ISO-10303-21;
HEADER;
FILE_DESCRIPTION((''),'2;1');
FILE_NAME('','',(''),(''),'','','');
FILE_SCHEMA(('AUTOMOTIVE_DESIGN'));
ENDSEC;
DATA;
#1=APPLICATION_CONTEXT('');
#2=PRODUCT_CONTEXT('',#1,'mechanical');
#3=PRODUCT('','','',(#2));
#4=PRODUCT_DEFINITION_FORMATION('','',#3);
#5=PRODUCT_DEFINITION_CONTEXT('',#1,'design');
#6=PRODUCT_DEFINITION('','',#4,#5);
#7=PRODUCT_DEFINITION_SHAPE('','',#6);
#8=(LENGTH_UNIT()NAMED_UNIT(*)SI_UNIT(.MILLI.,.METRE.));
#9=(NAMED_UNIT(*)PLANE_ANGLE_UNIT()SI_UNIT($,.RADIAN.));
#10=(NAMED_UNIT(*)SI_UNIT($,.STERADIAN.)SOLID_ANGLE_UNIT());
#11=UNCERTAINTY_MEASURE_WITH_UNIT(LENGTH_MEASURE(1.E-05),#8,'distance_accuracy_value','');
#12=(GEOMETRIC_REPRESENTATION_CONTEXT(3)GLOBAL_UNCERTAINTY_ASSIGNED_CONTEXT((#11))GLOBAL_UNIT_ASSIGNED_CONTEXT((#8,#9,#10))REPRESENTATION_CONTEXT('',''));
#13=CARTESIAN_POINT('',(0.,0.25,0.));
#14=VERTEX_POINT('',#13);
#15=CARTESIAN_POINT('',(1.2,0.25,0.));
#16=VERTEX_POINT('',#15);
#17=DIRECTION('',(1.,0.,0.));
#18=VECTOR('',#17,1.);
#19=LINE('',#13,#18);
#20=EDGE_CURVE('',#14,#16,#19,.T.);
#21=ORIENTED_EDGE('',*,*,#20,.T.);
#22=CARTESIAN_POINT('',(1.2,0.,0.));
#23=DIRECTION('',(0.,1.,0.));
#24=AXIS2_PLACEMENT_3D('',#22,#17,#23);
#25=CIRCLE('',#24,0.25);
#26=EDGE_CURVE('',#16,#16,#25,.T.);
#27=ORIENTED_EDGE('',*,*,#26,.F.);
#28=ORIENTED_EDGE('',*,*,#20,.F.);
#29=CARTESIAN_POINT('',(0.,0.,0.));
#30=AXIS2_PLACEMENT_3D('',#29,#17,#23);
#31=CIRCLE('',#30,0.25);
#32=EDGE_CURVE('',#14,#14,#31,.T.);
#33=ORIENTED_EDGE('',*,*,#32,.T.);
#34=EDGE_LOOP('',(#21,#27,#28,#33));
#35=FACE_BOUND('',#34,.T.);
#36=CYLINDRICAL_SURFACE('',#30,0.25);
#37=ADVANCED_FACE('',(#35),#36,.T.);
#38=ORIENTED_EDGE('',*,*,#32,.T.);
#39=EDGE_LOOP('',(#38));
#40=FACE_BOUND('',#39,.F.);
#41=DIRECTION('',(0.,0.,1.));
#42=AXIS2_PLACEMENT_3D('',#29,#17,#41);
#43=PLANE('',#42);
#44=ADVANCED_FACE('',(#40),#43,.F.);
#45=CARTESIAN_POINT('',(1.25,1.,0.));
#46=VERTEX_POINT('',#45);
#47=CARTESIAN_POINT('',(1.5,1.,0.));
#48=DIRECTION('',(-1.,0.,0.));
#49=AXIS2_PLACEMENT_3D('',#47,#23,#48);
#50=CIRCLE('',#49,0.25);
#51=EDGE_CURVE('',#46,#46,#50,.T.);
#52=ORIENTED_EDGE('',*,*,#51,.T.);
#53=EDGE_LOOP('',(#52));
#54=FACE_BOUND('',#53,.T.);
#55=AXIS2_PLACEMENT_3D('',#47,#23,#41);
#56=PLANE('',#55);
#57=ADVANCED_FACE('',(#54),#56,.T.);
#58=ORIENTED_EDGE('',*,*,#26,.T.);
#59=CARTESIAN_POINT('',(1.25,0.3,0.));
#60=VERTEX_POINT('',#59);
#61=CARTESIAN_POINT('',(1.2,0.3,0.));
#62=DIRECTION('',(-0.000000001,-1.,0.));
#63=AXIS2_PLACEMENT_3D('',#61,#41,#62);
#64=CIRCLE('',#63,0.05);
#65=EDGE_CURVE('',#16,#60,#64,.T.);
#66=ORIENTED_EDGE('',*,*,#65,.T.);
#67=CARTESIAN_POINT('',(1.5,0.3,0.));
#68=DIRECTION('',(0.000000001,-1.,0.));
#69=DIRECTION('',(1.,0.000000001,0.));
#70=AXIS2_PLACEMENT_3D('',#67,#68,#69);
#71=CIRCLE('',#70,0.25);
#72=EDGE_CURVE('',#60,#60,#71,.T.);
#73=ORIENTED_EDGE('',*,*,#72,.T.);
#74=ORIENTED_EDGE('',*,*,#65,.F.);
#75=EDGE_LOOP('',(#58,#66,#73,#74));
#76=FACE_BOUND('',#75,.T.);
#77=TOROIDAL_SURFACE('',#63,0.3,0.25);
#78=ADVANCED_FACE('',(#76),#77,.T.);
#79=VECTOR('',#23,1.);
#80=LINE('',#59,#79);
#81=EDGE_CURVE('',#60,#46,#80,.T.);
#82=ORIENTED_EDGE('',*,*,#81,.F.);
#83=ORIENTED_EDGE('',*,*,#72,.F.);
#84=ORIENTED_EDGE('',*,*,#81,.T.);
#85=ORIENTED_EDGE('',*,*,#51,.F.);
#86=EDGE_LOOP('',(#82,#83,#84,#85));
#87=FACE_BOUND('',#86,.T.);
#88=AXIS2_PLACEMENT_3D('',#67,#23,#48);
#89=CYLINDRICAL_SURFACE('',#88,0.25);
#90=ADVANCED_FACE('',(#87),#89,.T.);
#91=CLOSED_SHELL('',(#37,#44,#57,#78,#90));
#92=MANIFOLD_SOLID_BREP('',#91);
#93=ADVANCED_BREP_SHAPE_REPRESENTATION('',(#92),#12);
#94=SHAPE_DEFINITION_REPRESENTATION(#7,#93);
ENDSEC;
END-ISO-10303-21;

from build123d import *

# Parameters (mm, degrees)
F0_R = 0.25


with BuildPart() as f2:
    # F2: sweep along a path in F1
    with BuildLine(Plane.XY) as f2_path:
        Line((0, 0), (1.2, 0))
        ThreePointArc((1.2, 0), (1.4121320344, 0.0878679656), (1.5, 0.3))
        Line((1.5, 0.3), (1.5, 1))
    # F0 (on Right) → F2 (sweep)
    with BuildSketch(Plane.YZ):
        Circle(F0_R)
    sweep(path=f2_path.line)


solid = f2.part
